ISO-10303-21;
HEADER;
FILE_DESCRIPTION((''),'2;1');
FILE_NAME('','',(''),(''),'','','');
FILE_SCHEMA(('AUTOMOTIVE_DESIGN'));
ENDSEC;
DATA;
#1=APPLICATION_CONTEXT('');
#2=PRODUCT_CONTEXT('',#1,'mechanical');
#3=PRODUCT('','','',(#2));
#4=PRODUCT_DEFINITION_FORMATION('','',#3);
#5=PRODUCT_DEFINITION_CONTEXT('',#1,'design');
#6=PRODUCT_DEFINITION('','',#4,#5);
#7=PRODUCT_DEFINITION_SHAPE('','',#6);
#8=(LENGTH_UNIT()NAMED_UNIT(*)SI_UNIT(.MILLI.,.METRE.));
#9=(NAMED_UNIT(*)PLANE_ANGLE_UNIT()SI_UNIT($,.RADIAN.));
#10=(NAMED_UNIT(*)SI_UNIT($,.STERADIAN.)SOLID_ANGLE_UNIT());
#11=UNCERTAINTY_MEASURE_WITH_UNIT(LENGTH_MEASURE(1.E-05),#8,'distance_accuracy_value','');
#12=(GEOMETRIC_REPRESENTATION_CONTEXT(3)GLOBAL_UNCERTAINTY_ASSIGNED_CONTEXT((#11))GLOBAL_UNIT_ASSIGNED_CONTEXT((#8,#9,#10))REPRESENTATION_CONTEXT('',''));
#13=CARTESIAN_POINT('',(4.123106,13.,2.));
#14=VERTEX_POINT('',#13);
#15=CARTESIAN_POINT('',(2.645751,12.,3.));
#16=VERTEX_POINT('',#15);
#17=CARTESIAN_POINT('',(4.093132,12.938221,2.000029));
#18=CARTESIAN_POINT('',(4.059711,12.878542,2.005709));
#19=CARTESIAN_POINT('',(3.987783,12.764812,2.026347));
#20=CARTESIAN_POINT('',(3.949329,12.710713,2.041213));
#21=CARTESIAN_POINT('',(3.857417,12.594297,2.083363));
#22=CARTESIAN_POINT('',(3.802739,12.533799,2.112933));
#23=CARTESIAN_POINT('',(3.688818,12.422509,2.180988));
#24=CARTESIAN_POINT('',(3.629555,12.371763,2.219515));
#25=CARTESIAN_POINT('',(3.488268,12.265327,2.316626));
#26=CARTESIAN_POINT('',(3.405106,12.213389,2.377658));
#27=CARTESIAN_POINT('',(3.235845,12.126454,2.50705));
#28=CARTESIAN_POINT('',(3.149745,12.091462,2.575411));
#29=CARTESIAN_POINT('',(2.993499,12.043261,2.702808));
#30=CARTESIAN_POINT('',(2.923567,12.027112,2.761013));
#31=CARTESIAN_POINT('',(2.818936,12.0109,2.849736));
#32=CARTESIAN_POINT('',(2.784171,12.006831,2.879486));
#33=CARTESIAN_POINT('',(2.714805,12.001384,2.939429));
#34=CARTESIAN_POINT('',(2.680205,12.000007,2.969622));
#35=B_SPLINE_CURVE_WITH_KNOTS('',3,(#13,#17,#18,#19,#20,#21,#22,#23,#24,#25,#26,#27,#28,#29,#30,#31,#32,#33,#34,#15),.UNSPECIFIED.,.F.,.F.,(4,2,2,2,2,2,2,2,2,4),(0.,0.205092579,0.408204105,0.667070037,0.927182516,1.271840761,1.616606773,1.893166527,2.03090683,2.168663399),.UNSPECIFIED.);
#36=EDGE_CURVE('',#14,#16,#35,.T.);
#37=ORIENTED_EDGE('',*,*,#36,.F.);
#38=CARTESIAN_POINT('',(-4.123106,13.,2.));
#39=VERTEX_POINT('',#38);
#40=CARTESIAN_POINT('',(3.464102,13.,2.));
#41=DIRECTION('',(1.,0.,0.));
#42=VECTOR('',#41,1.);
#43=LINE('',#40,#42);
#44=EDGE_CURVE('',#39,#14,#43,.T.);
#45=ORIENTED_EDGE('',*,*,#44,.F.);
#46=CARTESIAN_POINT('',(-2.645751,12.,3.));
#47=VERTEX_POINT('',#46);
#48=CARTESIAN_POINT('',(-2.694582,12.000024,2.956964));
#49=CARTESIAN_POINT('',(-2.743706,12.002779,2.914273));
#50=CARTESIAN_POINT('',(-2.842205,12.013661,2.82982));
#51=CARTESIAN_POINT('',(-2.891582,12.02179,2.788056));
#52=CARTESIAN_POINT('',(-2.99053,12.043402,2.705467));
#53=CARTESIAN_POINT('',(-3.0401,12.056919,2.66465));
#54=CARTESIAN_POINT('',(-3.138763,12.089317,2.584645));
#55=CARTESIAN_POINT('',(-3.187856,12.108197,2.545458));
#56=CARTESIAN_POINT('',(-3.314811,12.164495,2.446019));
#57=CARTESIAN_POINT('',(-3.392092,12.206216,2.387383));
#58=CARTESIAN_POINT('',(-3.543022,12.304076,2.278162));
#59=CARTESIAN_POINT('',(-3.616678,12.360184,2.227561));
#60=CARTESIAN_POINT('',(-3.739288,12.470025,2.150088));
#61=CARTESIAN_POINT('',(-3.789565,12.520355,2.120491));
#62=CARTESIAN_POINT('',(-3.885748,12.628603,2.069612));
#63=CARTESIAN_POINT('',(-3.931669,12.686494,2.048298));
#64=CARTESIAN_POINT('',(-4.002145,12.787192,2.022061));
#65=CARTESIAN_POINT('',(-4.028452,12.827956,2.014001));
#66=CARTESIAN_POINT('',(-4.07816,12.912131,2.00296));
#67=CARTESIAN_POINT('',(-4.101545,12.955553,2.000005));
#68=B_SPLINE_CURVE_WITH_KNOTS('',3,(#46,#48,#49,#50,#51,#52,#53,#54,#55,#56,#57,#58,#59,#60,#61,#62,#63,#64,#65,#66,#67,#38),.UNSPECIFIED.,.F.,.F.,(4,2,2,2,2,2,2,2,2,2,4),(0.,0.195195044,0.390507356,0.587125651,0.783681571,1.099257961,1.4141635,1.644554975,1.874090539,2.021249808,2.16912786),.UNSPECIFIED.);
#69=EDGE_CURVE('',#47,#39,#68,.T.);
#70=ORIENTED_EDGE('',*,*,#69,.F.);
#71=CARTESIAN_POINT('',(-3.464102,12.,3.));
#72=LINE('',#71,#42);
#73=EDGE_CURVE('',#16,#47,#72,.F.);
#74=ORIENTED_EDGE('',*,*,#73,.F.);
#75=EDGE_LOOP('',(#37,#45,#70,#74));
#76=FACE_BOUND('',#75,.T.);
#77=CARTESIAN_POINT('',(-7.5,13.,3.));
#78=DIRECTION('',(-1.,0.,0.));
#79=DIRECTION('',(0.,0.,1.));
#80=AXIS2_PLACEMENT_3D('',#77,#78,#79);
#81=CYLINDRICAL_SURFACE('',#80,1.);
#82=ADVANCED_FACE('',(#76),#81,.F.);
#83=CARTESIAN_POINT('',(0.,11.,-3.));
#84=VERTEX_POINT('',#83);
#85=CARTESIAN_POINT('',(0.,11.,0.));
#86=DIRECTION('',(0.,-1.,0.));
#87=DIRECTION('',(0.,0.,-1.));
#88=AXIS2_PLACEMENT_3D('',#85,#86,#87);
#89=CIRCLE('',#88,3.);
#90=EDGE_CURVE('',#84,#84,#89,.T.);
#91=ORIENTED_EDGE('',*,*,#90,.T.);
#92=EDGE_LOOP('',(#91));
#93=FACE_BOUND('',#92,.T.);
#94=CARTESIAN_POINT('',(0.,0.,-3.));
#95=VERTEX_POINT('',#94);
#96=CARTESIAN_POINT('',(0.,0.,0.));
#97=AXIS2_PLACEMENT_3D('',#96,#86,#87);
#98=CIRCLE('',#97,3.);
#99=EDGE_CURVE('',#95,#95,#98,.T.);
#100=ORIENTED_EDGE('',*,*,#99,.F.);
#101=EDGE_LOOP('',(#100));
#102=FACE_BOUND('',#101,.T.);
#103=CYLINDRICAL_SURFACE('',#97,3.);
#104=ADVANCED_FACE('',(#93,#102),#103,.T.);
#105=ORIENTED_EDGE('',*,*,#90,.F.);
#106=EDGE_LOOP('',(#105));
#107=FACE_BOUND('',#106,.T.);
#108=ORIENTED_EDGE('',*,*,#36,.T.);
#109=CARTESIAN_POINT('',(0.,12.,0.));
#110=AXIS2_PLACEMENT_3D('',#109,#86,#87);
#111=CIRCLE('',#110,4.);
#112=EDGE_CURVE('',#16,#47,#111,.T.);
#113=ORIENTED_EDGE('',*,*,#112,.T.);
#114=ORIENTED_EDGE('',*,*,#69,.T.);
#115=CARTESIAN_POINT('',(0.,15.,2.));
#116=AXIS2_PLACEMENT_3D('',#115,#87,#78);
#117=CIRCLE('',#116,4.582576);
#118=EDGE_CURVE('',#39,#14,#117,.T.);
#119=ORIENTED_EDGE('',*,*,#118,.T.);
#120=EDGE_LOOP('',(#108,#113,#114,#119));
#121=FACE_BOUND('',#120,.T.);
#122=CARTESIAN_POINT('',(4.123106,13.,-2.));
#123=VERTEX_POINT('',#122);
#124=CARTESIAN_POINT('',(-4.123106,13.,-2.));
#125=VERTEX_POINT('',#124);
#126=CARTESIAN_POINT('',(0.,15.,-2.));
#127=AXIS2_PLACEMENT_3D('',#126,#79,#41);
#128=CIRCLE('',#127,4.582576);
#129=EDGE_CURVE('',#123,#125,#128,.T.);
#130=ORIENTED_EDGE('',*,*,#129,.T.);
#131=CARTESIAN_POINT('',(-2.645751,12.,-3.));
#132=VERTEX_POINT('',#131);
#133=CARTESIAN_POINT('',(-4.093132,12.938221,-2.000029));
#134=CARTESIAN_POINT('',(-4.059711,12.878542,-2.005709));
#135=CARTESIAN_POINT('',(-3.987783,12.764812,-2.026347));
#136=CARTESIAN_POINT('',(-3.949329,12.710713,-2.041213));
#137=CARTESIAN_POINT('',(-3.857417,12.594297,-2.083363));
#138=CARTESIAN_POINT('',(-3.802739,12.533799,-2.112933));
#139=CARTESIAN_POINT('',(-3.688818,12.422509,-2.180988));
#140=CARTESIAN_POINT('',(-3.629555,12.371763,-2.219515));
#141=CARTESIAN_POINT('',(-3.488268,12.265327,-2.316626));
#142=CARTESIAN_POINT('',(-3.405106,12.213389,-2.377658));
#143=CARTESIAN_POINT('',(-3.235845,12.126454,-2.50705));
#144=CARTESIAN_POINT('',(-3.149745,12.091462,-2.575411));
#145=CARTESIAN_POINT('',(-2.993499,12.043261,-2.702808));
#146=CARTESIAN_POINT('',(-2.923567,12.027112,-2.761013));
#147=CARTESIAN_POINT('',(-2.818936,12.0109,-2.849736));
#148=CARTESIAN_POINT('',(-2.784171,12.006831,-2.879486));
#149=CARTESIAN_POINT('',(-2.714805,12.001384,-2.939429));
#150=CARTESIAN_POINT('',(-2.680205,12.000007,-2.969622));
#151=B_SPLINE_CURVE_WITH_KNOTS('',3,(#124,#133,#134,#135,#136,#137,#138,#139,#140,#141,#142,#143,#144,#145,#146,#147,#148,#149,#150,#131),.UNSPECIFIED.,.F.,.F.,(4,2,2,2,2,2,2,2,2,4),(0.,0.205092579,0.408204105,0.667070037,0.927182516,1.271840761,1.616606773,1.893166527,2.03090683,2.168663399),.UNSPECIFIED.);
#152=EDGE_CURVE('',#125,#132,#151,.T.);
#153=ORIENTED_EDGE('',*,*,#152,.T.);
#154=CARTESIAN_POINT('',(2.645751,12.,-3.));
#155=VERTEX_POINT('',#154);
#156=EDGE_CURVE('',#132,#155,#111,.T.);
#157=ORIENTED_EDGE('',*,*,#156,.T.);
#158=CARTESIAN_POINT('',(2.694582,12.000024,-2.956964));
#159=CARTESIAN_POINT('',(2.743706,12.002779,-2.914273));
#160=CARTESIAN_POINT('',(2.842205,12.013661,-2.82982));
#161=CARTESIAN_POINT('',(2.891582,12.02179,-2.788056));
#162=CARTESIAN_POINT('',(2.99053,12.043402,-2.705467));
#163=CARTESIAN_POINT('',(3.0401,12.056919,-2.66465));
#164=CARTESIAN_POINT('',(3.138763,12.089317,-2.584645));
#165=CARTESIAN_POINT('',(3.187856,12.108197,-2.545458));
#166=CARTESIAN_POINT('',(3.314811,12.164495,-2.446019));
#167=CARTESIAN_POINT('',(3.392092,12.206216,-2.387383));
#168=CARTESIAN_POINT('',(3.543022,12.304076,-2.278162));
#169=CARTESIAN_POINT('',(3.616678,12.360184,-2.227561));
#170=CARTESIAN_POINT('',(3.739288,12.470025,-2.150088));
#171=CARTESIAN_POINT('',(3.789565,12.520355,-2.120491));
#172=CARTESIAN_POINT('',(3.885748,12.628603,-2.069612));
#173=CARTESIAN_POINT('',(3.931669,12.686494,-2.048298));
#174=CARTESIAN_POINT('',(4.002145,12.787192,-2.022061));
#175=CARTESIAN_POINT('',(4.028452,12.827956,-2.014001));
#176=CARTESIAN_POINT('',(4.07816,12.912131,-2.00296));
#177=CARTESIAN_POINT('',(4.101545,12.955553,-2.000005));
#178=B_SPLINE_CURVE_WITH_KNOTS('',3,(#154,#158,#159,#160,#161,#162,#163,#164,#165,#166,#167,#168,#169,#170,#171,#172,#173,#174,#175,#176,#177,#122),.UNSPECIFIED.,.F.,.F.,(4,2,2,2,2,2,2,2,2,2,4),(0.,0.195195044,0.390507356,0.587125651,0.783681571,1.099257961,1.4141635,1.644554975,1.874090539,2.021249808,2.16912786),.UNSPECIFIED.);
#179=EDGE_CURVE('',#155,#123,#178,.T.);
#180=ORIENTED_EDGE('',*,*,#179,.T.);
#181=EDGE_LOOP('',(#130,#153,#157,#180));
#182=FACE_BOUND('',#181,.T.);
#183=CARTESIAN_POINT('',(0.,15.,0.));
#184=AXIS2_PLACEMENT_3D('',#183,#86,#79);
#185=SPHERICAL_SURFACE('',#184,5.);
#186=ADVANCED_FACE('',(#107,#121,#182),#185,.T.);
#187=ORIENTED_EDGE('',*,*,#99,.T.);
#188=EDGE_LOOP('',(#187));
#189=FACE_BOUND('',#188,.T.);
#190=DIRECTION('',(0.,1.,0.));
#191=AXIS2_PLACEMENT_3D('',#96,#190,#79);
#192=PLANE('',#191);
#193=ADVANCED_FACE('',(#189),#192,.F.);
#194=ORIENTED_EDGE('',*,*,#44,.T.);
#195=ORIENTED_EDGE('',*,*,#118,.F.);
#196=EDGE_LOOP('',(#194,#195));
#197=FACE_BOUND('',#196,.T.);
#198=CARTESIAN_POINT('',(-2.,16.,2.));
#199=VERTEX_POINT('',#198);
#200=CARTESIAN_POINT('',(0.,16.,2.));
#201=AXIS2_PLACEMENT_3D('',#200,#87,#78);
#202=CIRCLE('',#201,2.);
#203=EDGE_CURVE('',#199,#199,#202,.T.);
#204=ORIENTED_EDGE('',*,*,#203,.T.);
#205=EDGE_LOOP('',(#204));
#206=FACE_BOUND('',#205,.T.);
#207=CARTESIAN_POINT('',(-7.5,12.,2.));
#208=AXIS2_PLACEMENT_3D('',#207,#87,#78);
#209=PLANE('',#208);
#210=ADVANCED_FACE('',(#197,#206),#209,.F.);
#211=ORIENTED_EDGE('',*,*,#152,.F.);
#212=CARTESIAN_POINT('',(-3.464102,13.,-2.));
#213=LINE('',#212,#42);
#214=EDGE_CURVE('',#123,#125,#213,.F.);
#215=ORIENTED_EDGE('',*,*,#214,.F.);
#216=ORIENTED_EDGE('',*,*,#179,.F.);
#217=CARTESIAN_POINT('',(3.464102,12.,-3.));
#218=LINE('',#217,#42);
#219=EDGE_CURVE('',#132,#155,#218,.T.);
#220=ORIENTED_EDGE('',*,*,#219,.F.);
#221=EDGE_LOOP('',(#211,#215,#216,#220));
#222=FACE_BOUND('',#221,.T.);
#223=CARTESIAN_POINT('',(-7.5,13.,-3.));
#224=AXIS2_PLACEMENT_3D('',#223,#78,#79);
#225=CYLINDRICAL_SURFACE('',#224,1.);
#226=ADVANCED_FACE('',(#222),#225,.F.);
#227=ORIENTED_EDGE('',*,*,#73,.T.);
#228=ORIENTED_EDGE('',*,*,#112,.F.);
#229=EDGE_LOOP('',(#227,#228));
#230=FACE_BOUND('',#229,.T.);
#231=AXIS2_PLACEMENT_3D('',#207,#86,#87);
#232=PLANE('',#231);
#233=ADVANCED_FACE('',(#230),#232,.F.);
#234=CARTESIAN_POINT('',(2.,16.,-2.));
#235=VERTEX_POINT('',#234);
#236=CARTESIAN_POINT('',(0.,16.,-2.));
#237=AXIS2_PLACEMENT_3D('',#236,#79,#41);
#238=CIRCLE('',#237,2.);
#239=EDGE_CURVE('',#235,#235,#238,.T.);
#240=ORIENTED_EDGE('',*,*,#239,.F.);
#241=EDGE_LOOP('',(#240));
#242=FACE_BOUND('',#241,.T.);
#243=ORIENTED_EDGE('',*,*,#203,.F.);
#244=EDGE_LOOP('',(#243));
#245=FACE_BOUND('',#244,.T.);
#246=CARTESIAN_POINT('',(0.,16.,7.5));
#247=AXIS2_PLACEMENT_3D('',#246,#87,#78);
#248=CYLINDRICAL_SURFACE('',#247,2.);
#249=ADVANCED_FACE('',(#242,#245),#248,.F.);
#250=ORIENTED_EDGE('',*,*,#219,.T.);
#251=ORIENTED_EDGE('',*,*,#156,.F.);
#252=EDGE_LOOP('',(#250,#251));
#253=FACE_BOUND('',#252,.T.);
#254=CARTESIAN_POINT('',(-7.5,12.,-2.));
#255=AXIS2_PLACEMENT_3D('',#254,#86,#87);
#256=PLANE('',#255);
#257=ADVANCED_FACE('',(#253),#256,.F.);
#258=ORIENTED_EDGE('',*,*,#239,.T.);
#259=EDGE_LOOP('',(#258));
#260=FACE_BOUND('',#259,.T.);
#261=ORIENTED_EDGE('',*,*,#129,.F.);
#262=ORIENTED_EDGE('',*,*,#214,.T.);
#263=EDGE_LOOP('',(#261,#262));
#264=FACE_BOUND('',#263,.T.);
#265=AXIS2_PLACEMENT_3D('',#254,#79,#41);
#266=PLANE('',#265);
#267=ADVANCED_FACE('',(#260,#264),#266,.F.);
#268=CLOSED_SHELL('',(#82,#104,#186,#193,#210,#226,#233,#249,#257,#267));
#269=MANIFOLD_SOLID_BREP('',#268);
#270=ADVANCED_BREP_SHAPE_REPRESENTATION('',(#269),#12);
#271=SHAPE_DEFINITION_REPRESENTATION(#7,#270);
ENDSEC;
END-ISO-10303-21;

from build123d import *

# Parameters (mm, degrees)
CROQUIS4_W            = 3
CROQUIS4_H            = 11
CROQUIS7_W            = 4
CROQUIS7_H            = 8
CORTAR_EXTRUIR1_DEPTH = 7.5
CROQUIS9_W            = 5
CROQUIS9_H            = 8
CORTAR_EXTRUIR2_DEPTH = 7.5
REDONDEO3_R           = 1
CROQUIS10_R           = 2
CORTAR_EXTRUIR3_DEPTH = 7.5


with BuildPart() as part:
    # Croquis4 → Revolución2 (revolve)
    with BuildSketch(Plane(origin=(0, 0, 0), x_dir=(0, 0, -1), z_dir=(1, 0, 0)), mode=Mode.PRIVATE) as revoluci_n2_sk:
        with Locations((-1.5, 5.5)):
            Rectangle(CROQUIS4_W, CROQUIS4_H)
    revolve(revoluci_n2_sk.sketch.rotate(Axis((0, 0, 0), (0, 1, 0)), 180), axis=Axis((0, 0, 0), (0, 1, 0)))

    # Croquis5 → Revolución3 (revolve)
    with BuildSketch(Plane(origin=(0, 0, 0), x_dir=(0, 0, -1), z_dir=(1, 0, 0))):
        with BuildLine():
            Line((0, 20), (0, 11))
            Line((0, 11), (-3, 11))
            ThreePointArc((-3, 11), (-4.74341649, 16.58113883), (0, 20))
        make_face()
    revolve(axis=Axis((0, 20, 0), (0, 1, 0)))

    # Croquis7 → Cortar-Extruir1 (cut, symmetric)
    with BuildSketch(Plane(origin=(0, 0, 0), x_dir=(0, 0, -1), z_dir=(1, 0, 0))):
        with Locations((4, 16)):
            Rectangle(CROQUIS7_W, CROQUIS7_H)
    extrude(amount=CORTAR_EXTRUIR1_DEPTH, both=True, mode=Mode.SUBTRACT)

    # Croquis9 → Cortar-Extruir2 (cut, symmetric)
    with BuildSketch(Plane(origin=(0, 0, 0), x_dir=(0, 0, -1), z_dir=(1, 0, 0))):
        with Locations((-4.5, 16)):
            Rectangle(CROQUIS9_W, CROQUIS9_H)
    extrude(amount=CORTAR_EXTRUIR2_DEPTH, both=True, mode=Mode.SUBTRACT)

    # Redondeo3
    redondeo3_edges = [part.edges().sort_by_distance(p)[0] for p in [
        (0, 12, -2),
        (0, 12, 2),
    ]]
    fillet(redondeo3_edges, radius=REDONDEO3_R)

    # Croquis10 → Cortar-Extruir3 (cut, symmetric)
    with BuildSketch(Plane(origin=(0, 0, 0), x_dir=(-1, 0, 0), z_dir=(0, 0, -1))):
        with Locations((0, 16)):
            Circle(CROQUIS10_R)
    extrude(amount=CORTAR_EXTRUIR3_DEPTH, both=True, mode=Mode.SUBTRACT)


solid = part.part
